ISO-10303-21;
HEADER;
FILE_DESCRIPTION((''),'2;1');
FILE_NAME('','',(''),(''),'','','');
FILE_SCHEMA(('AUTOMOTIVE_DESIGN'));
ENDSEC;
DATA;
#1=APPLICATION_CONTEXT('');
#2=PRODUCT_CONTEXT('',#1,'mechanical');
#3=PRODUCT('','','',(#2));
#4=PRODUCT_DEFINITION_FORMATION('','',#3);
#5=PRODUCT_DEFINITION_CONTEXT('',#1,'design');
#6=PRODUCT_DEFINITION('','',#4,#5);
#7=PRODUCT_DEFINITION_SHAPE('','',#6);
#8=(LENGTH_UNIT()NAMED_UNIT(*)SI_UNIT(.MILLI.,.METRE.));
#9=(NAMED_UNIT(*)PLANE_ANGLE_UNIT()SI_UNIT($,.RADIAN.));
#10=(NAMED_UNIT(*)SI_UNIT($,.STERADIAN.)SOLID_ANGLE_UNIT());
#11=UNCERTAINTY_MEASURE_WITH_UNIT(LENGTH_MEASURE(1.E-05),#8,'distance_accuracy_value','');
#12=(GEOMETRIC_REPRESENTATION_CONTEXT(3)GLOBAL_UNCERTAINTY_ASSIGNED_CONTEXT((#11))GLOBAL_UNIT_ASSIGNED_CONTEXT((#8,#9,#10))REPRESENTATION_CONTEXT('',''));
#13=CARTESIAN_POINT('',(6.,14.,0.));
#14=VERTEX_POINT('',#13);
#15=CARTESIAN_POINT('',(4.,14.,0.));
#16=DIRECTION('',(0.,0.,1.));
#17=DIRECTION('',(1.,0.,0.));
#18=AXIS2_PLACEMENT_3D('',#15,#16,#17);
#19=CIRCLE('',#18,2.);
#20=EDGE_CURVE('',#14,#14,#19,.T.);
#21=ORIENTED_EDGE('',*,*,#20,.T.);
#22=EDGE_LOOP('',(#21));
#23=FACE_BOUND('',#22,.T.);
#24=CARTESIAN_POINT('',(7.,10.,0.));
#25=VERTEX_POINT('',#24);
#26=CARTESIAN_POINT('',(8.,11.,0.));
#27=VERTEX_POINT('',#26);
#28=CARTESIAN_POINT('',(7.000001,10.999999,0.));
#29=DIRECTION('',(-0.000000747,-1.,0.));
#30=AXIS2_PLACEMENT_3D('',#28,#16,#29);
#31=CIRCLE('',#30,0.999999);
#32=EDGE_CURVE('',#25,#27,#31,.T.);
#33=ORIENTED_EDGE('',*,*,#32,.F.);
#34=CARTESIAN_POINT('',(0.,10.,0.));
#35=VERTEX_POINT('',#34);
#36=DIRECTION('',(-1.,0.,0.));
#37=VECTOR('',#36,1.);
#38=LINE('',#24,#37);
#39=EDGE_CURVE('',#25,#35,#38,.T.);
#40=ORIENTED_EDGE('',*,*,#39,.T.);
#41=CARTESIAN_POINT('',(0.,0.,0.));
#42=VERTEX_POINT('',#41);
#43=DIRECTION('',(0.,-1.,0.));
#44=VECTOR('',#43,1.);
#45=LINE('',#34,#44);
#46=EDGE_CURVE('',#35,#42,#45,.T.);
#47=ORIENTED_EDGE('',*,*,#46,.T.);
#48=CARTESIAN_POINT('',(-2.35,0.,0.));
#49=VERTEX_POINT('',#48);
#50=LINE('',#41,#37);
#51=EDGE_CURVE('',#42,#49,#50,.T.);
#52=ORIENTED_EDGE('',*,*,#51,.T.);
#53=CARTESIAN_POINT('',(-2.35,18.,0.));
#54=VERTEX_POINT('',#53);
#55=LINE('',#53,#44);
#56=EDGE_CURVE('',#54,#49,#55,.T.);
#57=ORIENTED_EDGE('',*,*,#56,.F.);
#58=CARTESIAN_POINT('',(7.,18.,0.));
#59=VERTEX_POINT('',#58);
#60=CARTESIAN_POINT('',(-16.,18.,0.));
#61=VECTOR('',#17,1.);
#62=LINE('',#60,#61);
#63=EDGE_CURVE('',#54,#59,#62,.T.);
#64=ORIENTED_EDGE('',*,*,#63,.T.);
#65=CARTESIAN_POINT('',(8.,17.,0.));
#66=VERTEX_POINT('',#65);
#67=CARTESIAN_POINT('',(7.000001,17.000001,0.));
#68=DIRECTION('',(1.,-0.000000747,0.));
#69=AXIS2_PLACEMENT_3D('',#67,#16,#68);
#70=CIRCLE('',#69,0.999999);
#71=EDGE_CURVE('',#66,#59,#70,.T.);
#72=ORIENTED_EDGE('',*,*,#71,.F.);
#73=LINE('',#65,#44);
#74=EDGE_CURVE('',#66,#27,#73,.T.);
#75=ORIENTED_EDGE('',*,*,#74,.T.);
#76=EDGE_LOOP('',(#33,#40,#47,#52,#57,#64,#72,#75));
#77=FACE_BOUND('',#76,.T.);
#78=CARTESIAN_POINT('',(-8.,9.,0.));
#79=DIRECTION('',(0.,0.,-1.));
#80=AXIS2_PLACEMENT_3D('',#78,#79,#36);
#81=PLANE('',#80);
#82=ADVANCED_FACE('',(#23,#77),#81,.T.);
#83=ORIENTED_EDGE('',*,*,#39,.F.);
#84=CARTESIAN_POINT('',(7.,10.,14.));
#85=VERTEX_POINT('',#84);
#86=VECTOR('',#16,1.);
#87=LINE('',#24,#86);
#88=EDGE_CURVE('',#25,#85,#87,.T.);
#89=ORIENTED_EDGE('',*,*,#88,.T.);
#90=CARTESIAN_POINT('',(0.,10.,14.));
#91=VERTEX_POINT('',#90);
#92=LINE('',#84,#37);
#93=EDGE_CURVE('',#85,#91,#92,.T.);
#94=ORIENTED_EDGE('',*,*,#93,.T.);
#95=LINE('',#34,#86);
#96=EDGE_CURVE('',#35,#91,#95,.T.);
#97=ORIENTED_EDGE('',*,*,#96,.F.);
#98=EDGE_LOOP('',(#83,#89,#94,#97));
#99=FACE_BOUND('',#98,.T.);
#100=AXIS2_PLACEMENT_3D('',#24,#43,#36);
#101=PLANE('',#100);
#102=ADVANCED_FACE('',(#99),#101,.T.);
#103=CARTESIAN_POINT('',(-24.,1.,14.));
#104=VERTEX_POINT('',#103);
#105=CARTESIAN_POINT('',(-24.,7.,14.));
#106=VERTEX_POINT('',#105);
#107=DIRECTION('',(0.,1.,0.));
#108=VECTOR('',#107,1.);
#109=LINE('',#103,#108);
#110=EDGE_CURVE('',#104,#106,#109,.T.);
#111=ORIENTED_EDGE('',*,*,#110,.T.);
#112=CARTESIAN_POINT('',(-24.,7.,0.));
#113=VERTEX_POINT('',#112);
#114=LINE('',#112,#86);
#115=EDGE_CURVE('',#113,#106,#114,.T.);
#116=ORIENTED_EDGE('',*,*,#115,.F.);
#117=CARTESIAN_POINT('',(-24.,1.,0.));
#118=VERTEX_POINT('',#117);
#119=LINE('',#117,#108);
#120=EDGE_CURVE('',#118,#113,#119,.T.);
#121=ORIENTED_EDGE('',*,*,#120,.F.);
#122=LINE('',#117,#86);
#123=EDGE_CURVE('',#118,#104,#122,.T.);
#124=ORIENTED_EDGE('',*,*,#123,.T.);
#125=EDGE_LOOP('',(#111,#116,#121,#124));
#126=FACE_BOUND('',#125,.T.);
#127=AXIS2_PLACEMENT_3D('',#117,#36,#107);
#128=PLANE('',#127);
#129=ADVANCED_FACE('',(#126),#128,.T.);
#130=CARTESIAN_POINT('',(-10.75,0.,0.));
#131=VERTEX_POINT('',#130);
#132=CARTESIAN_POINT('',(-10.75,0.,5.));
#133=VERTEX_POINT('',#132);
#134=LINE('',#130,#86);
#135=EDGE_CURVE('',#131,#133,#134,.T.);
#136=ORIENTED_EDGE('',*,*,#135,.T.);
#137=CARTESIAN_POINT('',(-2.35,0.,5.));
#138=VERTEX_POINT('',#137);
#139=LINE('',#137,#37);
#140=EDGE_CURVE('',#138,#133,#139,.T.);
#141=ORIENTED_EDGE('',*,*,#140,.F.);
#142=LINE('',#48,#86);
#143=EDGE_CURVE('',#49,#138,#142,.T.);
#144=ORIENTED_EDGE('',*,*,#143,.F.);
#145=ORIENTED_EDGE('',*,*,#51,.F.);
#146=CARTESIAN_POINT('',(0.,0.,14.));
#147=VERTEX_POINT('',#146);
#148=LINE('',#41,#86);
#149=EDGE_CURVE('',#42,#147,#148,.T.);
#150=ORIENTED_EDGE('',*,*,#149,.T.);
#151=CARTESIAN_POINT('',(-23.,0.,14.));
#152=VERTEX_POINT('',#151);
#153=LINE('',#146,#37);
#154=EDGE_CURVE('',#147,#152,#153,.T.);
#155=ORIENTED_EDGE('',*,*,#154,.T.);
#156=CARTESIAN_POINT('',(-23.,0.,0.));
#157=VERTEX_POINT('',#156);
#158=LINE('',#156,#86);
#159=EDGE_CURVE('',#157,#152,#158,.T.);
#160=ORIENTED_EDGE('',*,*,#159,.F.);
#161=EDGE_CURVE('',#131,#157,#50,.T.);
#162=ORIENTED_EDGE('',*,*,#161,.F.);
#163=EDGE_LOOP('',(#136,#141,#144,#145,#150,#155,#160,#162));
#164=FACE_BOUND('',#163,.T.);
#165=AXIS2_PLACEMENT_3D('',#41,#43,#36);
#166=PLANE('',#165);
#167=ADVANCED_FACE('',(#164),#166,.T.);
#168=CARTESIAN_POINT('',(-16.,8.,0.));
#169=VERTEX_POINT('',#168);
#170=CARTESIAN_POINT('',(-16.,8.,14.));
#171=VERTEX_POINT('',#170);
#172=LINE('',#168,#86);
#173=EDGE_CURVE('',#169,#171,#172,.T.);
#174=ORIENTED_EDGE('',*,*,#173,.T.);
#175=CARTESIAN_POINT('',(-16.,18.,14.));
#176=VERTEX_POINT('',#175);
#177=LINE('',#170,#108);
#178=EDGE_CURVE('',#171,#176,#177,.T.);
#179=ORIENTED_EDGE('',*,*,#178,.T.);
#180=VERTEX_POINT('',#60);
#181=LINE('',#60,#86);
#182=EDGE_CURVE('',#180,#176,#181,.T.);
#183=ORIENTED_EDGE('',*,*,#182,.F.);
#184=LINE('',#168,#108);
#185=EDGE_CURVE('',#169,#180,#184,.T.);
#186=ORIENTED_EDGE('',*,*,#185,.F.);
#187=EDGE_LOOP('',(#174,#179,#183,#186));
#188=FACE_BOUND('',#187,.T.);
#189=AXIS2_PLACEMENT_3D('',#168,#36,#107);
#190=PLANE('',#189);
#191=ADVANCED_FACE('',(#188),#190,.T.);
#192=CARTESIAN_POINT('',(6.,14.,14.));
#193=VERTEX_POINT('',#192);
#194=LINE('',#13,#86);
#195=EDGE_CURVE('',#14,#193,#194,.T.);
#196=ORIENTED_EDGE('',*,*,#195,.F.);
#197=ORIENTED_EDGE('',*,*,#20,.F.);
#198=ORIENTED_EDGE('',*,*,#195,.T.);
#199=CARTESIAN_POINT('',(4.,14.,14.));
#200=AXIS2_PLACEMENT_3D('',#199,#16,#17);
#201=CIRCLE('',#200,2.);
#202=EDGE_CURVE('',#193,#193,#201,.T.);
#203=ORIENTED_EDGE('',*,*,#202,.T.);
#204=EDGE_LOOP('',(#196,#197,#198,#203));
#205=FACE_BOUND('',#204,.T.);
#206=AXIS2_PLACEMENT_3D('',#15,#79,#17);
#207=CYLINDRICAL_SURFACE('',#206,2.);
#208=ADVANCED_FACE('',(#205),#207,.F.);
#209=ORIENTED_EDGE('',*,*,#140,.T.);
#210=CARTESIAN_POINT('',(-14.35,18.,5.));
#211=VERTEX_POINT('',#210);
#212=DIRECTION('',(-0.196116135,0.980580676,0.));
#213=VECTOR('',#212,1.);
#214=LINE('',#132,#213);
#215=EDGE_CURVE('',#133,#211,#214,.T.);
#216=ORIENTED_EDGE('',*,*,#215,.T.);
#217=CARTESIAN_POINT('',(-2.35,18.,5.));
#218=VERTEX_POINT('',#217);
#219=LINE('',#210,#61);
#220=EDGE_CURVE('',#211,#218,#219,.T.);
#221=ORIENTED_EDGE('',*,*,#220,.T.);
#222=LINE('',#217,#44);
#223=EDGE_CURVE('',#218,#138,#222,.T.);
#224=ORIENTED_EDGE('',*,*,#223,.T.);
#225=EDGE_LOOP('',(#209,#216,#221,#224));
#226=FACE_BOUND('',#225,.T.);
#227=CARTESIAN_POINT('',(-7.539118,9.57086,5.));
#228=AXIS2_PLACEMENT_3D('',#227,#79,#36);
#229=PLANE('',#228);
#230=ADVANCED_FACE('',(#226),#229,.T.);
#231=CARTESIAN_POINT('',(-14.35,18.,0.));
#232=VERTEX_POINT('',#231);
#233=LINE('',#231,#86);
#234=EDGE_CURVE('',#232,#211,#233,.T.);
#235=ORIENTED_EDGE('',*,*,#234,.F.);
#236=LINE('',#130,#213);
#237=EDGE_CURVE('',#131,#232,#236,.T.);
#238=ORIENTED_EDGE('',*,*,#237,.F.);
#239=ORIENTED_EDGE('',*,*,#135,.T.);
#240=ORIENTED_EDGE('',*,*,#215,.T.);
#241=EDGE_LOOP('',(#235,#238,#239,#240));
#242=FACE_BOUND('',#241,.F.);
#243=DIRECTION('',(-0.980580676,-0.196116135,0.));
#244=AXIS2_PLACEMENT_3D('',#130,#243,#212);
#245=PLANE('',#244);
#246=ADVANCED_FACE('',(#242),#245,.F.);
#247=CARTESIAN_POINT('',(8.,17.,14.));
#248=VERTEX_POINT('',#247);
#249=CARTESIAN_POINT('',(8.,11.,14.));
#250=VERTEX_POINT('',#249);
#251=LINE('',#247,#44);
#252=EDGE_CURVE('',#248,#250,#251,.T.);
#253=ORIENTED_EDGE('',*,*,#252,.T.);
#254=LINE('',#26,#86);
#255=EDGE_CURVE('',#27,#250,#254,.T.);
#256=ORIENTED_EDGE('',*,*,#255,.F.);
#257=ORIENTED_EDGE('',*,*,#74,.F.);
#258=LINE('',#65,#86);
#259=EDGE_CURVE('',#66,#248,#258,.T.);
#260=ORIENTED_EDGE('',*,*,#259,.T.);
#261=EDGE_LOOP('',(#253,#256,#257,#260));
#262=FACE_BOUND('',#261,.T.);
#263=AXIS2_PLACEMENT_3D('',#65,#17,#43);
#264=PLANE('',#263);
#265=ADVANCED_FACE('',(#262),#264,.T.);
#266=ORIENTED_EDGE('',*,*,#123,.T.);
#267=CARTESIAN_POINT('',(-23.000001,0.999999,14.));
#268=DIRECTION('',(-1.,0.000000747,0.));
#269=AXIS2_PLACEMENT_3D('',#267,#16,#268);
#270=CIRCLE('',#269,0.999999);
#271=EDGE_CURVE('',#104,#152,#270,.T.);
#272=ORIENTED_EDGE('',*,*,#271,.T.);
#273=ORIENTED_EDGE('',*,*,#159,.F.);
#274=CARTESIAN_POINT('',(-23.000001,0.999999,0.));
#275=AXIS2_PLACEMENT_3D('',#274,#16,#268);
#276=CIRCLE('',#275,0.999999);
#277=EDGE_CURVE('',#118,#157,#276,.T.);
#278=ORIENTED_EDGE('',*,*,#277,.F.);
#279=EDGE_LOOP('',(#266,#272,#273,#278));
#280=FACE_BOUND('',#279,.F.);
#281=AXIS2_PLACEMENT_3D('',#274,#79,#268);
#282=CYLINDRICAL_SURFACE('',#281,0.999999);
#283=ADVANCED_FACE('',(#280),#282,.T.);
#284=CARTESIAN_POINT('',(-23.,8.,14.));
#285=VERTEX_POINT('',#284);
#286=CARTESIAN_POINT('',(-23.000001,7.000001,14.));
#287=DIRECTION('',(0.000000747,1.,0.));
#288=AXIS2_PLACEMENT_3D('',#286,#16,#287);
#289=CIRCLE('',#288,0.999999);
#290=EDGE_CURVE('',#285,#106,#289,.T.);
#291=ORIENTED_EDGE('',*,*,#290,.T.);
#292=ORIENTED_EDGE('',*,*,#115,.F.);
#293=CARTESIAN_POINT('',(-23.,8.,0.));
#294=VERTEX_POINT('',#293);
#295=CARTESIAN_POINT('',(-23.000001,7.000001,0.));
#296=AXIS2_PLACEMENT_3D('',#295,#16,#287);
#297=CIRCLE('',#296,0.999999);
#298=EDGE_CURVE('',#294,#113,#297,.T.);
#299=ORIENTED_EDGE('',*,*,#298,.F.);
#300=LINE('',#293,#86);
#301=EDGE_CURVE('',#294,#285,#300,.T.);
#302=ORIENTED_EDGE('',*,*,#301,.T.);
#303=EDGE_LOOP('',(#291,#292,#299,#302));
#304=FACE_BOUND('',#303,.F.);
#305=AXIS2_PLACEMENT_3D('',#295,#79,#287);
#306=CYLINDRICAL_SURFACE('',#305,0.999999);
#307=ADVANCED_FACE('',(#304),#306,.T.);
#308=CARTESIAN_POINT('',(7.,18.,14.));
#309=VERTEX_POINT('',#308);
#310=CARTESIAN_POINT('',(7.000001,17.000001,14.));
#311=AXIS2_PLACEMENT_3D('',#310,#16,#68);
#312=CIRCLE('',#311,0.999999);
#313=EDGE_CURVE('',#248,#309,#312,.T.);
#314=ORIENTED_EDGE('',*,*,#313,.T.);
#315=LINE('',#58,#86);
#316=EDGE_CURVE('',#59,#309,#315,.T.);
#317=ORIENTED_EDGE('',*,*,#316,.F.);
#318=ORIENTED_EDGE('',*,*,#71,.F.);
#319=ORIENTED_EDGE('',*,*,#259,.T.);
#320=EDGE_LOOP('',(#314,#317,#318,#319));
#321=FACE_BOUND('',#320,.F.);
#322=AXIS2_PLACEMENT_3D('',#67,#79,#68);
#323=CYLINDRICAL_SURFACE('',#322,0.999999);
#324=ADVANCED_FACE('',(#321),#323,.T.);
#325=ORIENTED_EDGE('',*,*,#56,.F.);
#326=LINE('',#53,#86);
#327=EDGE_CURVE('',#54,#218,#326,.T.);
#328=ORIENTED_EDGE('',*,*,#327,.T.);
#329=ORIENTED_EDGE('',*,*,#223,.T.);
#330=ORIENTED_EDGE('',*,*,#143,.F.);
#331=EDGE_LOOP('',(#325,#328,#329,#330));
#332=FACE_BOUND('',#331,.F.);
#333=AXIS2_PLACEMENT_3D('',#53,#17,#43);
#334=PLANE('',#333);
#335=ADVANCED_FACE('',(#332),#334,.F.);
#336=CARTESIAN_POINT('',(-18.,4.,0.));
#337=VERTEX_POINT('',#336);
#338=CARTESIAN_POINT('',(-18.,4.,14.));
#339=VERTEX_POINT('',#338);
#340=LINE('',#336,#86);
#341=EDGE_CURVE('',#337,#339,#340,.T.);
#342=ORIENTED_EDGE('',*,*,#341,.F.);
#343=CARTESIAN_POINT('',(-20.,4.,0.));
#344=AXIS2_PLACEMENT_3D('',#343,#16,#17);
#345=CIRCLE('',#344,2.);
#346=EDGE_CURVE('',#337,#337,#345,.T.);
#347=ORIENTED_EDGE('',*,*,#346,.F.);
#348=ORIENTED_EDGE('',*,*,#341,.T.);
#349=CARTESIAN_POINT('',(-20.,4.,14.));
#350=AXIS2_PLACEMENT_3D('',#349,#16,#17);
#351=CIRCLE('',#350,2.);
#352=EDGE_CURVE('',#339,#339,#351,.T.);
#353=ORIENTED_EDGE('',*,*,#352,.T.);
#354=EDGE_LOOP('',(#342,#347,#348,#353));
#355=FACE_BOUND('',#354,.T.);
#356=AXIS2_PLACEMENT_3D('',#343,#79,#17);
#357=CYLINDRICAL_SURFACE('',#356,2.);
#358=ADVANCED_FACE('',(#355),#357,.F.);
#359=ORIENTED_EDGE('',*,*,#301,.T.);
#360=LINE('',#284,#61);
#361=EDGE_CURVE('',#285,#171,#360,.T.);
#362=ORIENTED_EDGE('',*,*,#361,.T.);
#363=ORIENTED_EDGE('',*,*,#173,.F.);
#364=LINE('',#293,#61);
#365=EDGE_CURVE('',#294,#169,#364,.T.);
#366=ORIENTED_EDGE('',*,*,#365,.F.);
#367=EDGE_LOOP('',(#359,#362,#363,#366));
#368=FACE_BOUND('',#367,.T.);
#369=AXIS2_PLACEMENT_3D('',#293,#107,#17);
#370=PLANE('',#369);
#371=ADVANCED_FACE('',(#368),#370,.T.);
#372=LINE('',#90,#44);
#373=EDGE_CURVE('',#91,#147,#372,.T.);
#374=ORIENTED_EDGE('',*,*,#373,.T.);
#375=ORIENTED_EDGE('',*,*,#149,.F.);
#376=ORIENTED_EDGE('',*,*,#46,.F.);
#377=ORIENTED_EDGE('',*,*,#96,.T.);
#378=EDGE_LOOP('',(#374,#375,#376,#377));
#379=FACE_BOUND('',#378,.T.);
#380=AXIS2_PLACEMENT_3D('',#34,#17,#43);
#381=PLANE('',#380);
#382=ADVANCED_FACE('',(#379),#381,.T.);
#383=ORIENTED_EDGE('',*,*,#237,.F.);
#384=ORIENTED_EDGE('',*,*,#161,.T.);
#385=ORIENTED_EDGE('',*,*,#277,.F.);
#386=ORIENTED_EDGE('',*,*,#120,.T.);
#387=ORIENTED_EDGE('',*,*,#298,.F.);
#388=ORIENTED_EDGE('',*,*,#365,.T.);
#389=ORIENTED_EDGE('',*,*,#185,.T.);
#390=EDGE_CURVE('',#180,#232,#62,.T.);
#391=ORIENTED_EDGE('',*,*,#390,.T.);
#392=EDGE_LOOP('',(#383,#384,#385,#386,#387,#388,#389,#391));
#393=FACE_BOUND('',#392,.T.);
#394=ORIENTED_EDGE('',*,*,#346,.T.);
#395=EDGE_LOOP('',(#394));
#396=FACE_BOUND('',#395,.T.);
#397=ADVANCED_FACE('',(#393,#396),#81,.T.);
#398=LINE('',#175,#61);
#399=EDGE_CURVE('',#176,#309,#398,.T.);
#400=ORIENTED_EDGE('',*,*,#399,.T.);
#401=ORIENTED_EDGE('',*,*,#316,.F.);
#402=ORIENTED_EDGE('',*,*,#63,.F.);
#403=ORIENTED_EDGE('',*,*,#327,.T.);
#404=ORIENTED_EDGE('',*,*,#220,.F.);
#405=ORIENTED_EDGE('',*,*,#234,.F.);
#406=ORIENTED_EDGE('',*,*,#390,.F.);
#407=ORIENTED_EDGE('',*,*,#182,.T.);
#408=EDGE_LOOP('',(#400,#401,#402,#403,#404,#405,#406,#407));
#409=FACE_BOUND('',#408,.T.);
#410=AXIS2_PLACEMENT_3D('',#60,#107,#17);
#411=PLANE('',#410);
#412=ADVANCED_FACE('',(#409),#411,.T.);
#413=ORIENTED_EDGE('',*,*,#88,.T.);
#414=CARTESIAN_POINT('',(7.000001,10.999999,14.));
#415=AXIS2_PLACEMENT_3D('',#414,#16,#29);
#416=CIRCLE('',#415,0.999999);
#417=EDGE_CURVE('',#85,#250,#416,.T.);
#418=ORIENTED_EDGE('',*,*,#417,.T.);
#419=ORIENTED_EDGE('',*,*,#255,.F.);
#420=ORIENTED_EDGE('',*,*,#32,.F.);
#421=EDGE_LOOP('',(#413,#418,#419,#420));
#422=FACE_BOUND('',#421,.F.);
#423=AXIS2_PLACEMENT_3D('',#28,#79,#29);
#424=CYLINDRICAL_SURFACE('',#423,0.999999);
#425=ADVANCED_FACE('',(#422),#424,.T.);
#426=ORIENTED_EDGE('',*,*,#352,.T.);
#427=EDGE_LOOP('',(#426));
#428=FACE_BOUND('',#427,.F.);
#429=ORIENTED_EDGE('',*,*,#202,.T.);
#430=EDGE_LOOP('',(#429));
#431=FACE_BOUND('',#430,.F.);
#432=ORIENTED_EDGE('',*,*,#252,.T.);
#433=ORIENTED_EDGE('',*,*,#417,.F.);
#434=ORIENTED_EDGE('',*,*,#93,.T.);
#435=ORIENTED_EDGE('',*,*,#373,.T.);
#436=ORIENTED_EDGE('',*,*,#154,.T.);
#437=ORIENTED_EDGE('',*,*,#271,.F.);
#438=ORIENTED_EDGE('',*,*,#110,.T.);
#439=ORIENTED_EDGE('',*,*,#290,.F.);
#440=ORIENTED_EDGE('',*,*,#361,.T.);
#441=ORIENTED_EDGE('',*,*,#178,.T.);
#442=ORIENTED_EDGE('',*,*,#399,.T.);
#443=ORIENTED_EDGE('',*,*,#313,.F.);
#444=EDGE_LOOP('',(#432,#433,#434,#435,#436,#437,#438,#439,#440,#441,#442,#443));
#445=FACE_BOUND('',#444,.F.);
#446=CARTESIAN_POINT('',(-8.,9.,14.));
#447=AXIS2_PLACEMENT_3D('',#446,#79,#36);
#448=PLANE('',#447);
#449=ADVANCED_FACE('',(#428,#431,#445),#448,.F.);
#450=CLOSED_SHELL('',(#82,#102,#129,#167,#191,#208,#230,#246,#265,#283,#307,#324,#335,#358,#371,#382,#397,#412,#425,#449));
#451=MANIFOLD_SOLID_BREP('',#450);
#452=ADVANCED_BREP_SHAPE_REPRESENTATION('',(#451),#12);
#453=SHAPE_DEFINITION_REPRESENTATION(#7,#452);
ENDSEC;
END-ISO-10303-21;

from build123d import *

# Parameters (mm, degrees)
SKETCH_R     = 2
PAD_DEPTH    = 14
POCKET_DEPTH = 5


with BuildPart() as part:
    # Sketch → Pad (new body)
    with BuildSketch(Plane.XY):
        with BuildLine():
            Line((-16, 18), (7, 18))
            ThreePointArc((8, 17), (7.707107, 17.707107), (7, 18))
            Line((8, 17), (8, 11))
            ThreePointArc((7, 10), (7.707107, 10.292893), (8, 11))
            Line((7, 10), (0, 10))
            Line((0, 10), (0, 0))
            Line((0, 0), (-23, 0))
            ThreePointArc((-24, 1), (-23.707107, 0.292893), (-23, 0))
            Line((-24, 1), (-24, 7))
            ThreePointArc((-23, 8), (-23.707107, 7.707107), (-24, 7))
            Line((-23, 8), (-16, 8))
            Line((-16, 8), (-16, 18))
        make_face()
        with Locations((4, 14)):
            Circle(SKETCH_R, mode=Mode.SUBTRACT)
        with Locations((-20, 4)):
            Circle(SKETCH_R, mode=Mode.SUBTRACT)
    extrude(amount=PAD_DEPTH)

    # Sketch001 → Pocket (cut)
    with BuildSketch(Plane.XY):
        Polygon((-2.35, 18), (-2.35, 0), (-10.75, 0), (-14.35, 18), align=None)
    extrude(amount=POCKET_DEPTH, mode=Mode.SUBTRACT)


solid = part.part
